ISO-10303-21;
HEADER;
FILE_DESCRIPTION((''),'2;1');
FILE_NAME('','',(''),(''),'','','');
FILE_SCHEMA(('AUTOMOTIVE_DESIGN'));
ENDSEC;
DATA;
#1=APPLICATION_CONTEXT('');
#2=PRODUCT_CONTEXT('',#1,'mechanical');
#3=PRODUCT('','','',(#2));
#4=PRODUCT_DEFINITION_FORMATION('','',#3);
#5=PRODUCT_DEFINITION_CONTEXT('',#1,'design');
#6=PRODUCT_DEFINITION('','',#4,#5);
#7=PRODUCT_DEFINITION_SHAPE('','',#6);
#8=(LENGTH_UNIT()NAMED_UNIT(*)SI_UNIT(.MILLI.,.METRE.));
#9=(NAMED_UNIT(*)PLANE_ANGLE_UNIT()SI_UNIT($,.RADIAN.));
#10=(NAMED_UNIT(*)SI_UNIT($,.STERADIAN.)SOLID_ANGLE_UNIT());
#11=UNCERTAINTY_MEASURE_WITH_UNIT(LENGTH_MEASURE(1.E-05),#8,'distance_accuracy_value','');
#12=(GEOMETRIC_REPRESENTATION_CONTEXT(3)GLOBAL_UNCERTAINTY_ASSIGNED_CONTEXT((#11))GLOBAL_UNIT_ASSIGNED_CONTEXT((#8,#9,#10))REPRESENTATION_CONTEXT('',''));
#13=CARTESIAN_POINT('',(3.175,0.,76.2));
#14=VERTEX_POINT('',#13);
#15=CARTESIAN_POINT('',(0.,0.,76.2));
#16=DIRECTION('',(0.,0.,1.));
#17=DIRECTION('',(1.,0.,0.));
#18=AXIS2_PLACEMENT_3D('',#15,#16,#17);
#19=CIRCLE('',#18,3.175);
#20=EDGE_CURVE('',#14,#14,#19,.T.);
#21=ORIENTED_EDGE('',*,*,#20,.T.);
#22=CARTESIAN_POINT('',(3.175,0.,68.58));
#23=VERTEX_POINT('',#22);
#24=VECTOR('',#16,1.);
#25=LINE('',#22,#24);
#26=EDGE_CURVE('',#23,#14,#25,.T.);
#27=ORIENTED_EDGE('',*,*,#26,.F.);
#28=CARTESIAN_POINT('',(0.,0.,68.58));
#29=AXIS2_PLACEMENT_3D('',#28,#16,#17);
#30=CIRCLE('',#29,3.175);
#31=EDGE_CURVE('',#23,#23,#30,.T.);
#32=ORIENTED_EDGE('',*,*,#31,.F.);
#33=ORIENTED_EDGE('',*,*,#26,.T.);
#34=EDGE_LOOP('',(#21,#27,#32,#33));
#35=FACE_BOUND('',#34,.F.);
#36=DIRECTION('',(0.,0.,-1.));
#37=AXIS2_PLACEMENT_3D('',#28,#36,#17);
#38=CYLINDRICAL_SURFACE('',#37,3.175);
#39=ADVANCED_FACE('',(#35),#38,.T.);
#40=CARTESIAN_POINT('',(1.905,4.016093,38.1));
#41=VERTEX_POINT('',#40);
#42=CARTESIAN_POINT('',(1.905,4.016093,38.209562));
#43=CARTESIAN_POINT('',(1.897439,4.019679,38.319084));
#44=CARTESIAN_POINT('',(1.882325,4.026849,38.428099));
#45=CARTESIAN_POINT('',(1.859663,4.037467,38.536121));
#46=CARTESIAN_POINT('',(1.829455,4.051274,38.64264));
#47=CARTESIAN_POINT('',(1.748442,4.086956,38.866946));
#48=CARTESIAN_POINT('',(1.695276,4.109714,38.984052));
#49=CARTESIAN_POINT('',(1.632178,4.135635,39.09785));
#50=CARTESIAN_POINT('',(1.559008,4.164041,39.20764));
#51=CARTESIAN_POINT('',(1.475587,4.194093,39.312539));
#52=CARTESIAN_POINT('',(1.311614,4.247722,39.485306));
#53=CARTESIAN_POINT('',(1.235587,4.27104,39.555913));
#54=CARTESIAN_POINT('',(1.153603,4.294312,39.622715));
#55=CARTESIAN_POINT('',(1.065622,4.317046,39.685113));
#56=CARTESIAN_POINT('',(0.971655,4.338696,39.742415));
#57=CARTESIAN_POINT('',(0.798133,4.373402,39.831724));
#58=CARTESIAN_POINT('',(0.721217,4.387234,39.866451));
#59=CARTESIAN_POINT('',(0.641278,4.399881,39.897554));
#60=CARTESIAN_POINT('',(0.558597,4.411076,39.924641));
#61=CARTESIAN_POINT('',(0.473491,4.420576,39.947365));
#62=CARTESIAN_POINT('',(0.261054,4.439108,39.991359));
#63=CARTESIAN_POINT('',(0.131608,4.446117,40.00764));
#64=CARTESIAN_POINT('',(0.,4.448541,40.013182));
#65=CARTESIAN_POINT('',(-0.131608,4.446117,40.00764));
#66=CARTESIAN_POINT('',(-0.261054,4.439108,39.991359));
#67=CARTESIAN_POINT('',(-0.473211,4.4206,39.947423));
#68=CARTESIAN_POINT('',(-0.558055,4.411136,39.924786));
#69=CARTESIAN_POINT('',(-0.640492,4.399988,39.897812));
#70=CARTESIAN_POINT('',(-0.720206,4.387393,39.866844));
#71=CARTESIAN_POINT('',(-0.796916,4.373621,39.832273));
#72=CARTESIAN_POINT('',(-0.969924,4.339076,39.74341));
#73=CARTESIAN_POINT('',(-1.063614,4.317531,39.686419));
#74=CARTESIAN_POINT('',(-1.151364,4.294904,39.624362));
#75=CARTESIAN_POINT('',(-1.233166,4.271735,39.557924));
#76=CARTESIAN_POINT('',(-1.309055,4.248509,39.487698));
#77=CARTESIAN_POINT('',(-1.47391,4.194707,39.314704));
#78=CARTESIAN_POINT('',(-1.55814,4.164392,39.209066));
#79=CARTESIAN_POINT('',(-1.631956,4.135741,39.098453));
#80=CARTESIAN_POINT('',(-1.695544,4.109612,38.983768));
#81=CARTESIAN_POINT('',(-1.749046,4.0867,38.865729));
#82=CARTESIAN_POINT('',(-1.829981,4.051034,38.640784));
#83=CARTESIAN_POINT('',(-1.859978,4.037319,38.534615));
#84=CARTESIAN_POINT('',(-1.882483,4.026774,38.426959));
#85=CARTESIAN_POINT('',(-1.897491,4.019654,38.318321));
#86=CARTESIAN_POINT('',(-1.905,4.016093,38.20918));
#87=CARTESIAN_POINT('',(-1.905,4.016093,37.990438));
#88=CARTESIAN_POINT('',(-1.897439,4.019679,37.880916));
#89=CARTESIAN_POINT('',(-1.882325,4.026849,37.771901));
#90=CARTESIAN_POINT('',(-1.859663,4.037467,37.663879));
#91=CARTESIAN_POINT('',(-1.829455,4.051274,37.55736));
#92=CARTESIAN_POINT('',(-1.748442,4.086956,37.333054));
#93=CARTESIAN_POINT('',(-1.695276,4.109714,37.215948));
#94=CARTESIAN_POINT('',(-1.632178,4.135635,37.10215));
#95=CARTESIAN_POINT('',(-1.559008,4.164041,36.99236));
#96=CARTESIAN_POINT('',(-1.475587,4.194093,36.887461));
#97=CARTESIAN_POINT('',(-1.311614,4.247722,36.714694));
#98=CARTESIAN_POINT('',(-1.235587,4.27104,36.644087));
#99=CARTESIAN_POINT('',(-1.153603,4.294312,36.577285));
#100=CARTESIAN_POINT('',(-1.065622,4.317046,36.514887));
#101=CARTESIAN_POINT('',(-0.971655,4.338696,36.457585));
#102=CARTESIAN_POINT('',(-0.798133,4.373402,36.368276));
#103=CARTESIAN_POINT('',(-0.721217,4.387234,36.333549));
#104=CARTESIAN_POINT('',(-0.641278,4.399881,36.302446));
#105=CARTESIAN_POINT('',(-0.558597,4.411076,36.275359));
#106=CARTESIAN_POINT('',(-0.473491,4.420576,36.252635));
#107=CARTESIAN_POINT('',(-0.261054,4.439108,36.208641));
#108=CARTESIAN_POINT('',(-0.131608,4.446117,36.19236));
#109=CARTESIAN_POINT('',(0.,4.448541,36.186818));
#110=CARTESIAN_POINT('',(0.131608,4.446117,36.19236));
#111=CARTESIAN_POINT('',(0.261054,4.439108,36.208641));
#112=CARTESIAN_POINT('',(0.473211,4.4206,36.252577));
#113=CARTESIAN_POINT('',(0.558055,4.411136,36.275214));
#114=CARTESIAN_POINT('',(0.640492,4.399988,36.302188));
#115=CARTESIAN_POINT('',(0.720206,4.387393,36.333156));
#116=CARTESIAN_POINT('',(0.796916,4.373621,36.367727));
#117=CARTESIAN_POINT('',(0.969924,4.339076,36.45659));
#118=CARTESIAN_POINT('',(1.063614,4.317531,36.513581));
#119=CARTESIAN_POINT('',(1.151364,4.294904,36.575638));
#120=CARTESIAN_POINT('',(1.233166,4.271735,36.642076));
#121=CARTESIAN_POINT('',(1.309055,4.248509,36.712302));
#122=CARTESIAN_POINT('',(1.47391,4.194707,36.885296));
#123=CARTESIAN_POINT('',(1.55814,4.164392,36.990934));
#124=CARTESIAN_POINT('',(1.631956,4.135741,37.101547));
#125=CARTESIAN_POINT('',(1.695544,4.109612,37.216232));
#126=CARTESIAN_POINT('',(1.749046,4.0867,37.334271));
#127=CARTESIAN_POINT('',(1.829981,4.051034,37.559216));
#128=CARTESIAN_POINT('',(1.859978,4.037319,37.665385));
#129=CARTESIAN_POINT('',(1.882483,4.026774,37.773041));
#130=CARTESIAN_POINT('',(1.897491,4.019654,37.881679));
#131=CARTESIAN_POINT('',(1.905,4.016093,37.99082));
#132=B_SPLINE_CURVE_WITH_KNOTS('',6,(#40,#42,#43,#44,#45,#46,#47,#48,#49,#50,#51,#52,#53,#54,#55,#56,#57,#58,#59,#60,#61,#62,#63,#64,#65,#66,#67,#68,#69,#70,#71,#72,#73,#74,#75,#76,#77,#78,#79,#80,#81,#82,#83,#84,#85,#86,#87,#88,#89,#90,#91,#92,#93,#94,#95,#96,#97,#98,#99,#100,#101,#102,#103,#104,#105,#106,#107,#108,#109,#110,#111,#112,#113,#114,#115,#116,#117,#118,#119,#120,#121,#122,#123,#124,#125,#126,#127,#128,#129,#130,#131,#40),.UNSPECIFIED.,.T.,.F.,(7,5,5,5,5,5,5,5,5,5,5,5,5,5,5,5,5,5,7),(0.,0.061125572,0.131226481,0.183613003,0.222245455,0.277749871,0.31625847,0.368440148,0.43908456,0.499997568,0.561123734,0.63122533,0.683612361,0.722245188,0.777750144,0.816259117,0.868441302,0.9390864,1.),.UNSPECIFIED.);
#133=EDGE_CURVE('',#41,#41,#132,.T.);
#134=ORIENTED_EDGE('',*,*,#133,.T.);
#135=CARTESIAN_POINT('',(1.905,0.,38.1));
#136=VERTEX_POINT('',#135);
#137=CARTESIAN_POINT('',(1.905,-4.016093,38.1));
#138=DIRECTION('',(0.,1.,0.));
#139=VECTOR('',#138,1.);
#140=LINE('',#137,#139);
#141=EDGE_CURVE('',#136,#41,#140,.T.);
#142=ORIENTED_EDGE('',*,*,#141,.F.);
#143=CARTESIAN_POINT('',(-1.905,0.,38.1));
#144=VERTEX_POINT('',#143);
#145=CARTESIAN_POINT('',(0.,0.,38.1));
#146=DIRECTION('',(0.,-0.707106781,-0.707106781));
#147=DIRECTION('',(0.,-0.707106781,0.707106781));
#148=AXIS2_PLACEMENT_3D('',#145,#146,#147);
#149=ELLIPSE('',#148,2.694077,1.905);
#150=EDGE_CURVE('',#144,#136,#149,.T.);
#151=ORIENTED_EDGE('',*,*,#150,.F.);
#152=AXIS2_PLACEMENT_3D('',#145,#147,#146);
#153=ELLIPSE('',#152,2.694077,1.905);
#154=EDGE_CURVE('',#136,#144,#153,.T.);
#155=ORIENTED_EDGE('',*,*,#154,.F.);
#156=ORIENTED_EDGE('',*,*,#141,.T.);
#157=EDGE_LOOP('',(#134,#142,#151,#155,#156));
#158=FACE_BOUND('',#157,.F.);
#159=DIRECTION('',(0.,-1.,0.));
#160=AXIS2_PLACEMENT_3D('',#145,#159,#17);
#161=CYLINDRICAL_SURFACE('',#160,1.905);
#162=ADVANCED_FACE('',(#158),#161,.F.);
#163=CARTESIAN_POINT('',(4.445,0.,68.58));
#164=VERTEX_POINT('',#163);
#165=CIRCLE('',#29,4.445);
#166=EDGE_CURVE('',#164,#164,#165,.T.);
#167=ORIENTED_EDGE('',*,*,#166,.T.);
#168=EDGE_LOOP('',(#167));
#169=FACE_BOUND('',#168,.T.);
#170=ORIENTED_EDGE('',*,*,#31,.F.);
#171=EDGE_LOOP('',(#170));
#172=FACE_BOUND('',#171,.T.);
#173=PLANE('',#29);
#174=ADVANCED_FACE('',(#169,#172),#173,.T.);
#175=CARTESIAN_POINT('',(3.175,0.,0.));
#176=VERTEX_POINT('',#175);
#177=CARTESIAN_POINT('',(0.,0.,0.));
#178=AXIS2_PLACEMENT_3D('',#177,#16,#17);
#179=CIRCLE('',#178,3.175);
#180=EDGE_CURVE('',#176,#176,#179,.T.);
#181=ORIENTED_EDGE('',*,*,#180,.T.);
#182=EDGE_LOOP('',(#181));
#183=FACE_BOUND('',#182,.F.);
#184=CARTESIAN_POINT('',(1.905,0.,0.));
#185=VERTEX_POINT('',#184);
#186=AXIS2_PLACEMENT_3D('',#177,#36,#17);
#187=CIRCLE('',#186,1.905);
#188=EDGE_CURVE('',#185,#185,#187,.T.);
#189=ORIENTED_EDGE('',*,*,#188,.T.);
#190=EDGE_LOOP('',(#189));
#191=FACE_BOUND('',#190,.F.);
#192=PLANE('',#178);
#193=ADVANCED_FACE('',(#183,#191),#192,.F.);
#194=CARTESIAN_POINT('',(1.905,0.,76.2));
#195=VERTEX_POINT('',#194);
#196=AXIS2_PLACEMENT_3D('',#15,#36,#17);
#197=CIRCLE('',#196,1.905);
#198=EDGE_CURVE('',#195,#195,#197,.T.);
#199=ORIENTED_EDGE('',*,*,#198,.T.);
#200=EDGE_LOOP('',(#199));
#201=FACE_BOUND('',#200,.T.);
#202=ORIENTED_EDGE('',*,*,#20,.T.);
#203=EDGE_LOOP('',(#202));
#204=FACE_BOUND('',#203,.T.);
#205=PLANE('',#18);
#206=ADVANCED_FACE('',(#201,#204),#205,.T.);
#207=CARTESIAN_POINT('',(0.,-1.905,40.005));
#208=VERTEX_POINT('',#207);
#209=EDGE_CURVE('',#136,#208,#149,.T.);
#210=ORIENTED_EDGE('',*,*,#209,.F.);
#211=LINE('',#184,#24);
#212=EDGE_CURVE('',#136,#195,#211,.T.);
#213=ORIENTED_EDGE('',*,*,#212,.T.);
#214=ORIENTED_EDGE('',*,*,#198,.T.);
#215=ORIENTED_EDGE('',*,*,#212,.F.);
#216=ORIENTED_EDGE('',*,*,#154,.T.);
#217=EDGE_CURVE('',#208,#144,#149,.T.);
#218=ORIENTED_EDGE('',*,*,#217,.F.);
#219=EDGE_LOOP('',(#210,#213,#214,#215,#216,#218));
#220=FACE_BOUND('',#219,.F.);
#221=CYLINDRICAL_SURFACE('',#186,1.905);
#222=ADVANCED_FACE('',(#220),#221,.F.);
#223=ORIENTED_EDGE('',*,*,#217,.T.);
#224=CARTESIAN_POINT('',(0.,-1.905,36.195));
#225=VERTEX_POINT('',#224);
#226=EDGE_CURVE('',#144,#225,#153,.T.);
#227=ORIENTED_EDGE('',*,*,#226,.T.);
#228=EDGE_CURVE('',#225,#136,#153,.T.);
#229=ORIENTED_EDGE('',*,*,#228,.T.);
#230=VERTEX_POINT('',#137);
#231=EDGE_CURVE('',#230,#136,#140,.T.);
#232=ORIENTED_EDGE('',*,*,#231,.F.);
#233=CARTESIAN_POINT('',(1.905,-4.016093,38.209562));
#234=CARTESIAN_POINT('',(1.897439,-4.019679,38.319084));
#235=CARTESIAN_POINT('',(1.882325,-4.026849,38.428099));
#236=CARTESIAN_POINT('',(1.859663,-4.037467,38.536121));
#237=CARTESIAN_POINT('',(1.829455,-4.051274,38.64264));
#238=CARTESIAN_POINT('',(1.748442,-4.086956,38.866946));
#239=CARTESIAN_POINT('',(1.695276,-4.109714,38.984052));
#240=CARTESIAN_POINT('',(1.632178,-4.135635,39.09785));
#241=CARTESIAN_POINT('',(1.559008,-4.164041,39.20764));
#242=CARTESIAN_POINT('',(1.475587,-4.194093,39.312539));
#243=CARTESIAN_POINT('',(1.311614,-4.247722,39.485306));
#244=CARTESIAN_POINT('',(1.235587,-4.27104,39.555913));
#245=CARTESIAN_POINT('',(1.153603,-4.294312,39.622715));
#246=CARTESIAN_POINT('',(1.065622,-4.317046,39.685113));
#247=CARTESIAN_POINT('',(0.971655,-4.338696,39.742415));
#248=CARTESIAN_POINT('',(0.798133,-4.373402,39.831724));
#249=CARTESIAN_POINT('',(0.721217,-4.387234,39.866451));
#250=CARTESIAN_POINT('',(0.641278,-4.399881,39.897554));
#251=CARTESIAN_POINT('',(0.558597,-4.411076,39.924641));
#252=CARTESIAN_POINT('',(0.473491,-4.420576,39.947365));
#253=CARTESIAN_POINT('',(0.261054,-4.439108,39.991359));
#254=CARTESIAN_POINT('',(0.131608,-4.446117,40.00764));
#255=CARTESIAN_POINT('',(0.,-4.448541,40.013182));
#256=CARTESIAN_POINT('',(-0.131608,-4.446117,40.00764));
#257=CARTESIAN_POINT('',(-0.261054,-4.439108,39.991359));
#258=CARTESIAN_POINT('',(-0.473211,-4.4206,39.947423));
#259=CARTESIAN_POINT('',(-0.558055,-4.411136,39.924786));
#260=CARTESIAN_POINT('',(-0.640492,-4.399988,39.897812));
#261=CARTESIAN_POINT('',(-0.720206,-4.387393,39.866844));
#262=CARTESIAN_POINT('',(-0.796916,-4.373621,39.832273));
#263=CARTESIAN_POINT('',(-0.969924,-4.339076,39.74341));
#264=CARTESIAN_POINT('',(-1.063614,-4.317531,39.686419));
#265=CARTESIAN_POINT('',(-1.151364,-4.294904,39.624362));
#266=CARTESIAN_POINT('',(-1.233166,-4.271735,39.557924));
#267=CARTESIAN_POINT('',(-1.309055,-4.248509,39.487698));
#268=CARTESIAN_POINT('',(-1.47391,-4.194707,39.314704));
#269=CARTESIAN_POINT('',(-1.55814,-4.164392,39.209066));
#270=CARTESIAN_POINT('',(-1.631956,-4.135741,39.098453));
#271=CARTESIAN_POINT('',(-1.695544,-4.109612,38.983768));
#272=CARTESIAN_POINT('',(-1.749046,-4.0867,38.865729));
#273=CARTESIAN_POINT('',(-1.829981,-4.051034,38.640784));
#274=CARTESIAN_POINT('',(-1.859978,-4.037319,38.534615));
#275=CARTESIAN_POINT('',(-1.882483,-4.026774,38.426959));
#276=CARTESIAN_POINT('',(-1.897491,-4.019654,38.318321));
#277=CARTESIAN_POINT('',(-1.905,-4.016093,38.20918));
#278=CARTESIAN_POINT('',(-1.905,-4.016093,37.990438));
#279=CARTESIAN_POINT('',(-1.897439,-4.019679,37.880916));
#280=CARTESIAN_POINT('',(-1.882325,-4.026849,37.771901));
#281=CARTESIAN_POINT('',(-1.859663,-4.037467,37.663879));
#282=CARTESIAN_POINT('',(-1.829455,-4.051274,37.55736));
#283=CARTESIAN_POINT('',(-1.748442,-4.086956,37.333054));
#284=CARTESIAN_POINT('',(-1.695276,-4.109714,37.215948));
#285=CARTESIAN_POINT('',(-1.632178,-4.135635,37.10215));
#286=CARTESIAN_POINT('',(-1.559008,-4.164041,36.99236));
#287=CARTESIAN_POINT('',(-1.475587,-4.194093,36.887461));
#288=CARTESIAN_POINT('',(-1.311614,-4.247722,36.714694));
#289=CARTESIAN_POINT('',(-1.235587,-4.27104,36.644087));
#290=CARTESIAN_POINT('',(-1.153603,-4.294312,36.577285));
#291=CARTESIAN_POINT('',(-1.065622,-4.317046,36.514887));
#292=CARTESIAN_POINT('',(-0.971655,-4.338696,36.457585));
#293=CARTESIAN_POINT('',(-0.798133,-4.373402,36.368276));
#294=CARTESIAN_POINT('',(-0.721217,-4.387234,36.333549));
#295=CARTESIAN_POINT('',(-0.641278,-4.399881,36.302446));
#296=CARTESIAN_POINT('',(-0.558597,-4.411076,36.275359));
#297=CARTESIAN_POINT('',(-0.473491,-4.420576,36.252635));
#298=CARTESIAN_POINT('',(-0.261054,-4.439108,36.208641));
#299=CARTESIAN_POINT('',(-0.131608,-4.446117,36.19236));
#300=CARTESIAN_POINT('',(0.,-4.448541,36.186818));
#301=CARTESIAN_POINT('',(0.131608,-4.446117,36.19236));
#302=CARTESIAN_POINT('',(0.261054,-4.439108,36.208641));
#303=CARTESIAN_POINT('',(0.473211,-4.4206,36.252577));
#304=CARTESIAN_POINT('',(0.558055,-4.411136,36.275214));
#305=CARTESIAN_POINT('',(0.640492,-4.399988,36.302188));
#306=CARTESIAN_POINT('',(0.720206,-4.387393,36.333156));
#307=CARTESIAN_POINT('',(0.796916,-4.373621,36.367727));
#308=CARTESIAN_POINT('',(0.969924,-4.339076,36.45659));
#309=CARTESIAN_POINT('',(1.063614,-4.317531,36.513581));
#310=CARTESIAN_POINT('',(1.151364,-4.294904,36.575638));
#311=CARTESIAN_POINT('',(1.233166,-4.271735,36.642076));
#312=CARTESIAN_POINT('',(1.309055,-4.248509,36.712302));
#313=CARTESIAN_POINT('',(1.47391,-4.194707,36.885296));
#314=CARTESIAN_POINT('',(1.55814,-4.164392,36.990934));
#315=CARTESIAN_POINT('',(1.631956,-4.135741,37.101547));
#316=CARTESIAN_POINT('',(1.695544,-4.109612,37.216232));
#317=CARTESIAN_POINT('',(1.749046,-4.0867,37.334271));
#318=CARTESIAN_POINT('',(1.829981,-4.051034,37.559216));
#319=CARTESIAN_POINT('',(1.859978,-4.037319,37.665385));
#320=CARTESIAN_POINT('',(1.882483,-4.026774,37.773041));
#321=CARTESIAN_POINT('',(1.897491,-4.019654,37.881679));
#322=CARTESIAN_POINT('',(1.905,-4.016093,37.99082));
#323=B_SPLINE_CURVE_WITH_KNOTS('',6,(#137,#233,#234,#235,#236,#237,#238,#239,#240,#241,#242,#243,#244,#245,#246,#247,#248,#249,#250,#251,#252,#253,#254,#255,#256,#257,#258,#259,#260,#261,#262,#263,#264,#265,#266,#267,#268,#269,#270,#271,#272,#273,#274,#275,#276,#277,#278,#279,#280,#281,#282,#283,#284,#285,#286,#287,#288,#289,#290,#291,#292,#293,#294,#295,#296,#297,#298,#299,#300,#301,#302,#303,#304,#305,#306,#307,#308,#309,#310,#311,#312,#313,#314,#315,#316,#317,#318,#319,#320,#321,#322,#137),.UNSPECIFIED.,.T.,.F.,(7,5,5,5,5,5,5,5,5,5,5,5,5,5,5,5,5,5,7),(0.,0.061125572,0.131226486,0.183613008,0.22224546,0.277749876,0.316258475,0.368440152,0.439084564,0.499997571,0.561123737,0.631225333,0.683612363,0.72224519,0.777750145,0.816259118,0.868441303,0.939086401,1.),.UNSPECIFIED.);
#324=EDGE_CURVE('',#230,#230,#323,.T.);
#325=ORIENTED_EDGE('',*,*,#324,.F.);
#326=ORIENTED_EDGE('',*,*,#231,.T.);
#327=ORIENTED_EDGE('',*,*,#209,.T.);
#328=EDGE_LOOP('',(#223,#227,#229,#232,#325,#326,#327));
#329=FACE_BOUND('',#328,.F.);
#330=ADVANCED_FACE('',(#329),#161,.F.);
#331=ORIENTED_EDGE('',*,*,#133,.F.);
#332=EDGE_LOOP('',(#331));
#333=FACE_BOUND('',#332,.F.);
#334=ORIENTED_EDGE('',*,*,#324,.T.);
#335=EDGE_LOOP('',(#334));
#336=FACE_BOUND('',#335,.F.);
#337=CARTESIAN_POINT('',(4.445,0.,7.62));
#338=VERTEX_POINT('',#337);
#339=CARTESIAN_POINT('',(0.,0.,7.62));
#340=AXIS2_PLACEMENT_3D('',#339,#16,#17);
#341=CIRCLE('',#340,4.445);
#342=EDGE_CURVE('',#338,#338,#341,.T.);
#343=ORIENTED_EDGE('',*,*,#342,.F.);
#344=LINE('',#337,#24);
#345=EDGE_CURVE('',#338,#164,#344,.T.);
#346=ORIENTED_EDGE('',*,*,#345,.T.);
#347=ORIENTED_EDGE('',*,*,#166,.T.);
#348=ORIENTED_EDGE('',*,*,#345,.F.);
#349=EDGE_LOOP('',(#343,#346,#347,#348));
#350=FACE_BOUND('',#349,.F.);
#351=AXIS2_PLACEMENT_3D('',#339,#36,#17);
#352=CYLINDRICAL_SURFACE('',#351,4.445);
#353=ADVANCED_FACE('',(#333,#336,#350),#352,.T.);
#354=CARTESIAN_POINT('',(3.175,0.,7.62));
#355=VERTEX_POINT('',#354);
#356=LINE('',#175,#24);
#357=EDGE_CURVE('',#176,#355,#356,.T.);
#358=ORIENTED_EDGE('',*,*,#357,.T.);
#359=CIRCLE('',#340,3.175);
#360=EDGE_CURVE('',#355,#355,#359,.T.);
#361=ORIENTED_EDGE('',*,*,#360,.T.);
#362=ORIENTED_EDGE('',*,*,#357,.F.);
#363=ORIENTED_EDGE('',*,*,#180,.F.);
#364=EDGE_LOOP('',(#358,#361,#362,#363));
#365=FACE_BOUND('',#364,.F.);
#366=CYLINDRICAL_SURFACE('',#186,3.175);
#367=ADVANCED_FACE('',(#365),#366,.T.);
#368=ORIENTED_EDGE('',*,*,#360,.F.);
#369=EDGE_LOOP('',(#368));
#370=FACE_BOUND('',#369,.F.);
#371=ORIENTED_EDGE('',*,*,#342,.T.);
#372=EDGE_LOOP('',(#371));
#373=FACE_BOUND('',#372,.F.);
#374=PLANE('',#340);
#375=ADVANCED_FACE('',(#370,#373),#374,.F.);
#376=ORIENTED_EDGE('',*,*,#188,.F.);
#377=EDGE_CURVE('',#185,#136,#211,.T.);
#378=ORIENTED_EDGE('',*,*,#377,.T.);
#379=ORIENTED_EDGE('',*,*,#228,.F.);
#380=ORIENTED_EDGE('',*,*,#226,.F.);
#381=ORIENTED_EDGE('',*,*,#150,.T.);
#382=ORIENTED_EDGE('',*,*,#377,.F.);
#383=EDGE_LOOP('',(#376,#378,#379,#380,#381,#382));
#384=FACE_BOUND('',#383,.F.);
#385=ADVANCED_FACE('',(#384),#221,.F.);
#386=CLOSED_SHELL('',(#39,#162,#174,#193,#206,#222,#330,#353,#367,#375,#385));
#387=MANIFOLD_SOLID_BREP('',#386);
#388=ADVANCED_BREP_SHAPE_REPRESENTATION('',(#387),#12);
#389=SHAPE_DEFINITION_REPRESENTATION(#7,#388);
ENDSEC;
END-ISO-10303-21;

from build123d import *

# Parameters (mm, degrees)
F0_R          = 3.175
F1_DEPTH      = 7.62
F2_R          = 4.445
F3_DEPTH      = 60.96
F4_R          = 3.175
F5_DEPTH      = 7.62
F6_R          = 1.905
F7_DEPTH      = 25.4
F7_DEPTH_BACK = 25.4
F8_R          = 1.905
F9_DEPTH      = 76.201


with BuildPart() as f1:
    # F0 (on Top) → F1 (new body)
    with BuildSketch(Plane.XY):
        Circle(F0_R)
    extrude(amount=F1_DEPTH)

    # F2 (on face) → F3 (join)
    with BuildSketch(Plane.XY.offset(7.62)):
        Circle(F2_R)
    extrude(amount=F3_DEPTH)

    # F4 (on face) → F5 (join)
    with BuildSketch(Plane.XY.offset(68.58)):
        Circle(F4_R)
    extrude(amount=F5_DEPTH)

    # F6 (on Front) → F7 (cut, two sides)
    with BuildSketch(Plane.XZ) as f7_sk:
        with Locations((0, 38.1)):
            Circle(F6_R)
    extrude(amount=-F7_DEPTH, mode=Mode.SUBTRACT)
    extrude(f7_sk.sketch, amount=F7_DEPTH_BACK, mode=Mode.SUBTRACT)

    # F8 (on face) → F9 (cut, through all)
    with BuildSketch(Plane(origin=(0, 0, 0), x_dir=(1, 0, 0), z_dir=(0, 0, -1))):
        Circle(F8_R)
    extrude(amount=-F9_DEPTH, mode=Mode.SUBTRACT)


solid = f1.part
